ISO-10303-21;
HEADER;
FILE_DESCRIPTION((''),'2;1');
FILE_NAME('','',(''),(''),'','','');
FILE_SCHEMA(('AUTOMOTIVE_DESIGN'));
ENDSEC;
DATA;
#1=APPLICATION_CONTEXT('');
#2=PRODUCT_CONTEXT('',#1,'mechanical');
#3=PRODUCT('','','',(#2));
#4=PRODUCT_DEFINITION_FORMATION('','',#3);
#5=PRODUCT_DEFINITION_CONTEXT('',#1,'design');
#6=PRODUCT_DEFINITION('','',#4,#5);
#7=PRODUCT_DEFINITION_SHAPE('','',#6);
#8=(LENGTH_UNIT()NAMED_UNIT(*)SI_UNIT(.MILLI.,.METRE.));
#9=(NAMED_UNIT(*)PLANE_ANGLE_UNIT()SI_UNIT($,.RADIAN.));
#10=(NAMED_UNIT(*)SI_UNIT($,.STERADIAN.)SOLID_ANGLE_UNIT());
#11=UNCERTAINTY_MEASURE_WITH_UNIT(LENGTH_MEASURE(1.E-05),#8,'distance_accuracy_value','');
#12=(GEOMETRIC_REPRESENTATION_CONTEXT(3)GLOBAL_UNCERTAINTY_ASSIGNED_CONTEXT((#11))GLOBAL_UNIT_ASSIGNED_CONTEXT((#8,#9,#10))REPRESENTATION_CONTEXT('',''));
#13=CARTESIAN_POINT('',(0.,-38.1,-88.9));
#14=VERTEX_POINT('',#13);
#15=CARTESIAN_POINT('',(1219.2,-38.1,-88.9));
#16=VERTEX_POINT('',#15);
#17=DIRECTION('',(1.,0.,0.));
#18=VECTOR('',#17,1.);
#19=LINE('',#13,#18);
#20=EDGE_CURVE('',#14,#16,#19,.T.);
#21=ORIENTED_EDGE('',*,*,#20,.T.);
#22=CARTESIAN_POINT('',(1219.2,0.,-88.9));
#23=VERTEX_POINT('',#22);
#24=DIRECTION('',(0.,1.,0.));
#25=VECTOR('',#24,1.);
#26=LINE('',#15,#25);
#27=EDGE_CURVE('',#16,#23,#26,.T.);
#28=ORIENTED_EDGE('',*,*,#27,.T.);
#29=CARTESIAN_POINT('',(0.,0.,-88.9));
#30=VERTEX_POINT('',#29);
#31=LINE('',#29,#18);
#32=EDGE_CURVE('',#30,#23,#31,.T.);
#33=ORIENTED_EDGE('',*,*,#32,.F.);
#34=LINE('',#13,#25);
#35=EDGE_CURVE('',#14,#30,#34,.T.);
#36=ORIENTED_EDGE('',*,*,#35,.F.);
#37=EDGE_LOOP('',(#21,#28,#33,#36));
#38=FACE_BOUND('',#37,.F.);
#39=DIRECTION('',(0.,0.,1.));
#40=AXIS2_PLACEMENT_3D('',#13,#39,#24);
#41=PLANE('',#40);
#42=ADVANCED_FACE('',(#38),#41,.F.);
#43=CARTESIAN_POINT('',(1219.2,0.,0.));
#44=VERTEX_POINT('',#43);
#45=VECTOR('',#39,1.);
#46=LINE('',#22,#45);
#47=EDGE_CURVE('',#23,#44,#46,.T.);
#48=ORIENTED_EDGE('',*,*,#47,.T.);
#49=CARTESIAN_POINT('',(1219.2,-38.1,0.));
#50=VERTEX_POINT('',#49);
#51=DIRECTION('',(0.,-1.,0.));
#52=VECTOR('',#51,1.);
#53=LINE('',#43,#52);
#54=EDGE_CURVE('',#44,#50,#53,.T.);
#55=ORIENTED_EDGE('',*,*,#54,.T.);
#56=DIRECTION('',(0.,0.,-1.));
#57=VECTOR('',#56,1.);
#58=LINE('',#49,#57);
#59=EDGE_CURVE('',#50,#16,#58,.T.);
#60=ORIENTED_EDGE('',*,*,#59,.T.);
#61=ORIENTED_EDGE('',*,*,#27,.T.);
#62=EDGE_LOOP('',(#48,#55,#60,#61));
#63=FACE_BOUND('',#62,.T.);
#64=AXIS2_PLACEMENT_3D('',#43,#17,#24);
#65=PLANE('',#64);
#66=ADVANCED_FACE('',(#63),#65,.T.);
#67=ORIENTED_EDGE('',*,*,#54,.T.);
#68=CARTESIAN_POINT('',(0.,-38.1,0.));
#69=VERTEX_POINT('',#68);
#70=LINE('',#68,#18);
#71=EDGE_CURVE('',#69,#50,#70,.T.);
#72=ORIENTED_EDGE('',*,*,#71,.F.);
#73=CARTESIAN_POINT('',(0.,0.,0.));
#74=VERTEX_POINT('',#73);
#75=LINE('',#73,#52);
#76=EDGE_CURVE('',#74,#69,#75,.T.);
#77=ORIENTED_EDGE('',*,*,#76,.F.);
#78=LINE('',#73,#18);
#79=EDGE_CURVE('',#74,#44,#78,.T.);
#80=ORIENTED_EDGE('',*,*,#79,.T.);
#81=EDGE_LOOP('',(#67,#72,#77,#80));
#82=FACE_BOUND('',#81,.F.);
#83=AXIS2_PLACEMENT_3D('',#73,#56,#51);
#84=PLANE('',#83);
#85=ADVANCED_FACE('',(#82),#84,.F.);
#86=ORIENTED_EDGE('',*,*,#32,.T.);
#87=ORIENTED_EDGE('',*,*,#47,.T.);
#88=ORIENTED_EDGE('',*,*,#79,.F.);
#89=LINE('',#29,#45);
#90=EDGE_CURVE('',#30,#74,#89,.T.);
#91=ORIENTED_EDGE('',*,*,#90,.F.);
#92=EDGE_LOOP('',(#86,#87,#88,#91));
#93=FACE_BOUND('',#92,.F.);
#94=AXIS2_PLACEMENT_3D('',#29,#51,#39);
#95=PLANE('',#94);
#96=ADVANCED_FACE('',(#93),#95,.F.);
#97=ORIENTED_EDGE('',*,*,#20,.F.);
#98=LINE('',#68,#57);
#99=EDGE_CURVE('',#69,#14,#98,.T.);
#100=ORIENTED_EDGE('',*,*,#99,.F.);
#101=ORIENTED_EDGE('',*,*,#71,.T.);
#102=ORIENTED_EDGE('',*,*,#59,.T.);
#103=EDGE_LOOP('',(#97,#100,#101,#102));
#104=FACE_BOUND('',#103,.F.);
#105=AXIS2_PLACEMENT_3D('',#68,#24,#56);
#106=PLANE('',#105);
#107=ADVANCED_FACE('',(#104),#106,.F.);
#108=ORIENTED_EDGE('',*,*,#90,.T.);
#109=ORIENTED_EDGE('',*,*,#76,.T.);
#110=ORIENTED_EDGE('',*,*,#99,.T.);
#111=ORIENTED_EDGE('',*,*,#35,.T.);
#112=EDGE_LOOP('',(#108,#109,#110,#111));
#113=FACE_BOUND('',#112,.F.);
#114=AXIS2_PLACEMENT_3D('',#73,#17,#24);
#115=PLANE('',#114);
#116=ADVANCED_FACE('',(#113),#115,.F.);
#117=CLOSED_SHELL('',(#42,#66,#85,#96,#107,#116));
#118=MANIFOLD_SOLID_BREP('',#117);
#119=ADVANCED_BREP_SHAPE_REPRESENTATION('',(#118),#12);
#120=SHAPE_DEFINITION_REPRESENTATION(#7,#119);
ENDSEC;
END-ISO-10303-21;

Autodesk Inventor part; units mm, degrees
ref_plane "YZ Plane" through (0, 0, 0) normal (1, 0, 0) x (0, 1, 0)
ref_plane "XZ Plane" through (0, 0, 0) normal (0, 1, 0) x (-1, 0, 0)
ref_plane "XY Plane" through (0, 0, 0) normal (0, 0, 1) x (1, 0, 0)
sketch "Sketch1" plane through (0, 0, 0) normal (1, 0, 0) x (0, 1, 0)
  line L0 (0, 0) -> (-38.1, 0)
  line L1 (-38.1, 0) -> (-38.1, -88.9)
  line L2 (-38.1, -88.9) -> (0, -88.9)
  line L3 (0, -88.9) -> (0, 0)
  dimension "d0" = 38.1
  dimension "d1" = 88.9
extrude "Extrusion1" add sketch "Sketch1" along normal blind 1219.2
properties part number "2x4 Length"
